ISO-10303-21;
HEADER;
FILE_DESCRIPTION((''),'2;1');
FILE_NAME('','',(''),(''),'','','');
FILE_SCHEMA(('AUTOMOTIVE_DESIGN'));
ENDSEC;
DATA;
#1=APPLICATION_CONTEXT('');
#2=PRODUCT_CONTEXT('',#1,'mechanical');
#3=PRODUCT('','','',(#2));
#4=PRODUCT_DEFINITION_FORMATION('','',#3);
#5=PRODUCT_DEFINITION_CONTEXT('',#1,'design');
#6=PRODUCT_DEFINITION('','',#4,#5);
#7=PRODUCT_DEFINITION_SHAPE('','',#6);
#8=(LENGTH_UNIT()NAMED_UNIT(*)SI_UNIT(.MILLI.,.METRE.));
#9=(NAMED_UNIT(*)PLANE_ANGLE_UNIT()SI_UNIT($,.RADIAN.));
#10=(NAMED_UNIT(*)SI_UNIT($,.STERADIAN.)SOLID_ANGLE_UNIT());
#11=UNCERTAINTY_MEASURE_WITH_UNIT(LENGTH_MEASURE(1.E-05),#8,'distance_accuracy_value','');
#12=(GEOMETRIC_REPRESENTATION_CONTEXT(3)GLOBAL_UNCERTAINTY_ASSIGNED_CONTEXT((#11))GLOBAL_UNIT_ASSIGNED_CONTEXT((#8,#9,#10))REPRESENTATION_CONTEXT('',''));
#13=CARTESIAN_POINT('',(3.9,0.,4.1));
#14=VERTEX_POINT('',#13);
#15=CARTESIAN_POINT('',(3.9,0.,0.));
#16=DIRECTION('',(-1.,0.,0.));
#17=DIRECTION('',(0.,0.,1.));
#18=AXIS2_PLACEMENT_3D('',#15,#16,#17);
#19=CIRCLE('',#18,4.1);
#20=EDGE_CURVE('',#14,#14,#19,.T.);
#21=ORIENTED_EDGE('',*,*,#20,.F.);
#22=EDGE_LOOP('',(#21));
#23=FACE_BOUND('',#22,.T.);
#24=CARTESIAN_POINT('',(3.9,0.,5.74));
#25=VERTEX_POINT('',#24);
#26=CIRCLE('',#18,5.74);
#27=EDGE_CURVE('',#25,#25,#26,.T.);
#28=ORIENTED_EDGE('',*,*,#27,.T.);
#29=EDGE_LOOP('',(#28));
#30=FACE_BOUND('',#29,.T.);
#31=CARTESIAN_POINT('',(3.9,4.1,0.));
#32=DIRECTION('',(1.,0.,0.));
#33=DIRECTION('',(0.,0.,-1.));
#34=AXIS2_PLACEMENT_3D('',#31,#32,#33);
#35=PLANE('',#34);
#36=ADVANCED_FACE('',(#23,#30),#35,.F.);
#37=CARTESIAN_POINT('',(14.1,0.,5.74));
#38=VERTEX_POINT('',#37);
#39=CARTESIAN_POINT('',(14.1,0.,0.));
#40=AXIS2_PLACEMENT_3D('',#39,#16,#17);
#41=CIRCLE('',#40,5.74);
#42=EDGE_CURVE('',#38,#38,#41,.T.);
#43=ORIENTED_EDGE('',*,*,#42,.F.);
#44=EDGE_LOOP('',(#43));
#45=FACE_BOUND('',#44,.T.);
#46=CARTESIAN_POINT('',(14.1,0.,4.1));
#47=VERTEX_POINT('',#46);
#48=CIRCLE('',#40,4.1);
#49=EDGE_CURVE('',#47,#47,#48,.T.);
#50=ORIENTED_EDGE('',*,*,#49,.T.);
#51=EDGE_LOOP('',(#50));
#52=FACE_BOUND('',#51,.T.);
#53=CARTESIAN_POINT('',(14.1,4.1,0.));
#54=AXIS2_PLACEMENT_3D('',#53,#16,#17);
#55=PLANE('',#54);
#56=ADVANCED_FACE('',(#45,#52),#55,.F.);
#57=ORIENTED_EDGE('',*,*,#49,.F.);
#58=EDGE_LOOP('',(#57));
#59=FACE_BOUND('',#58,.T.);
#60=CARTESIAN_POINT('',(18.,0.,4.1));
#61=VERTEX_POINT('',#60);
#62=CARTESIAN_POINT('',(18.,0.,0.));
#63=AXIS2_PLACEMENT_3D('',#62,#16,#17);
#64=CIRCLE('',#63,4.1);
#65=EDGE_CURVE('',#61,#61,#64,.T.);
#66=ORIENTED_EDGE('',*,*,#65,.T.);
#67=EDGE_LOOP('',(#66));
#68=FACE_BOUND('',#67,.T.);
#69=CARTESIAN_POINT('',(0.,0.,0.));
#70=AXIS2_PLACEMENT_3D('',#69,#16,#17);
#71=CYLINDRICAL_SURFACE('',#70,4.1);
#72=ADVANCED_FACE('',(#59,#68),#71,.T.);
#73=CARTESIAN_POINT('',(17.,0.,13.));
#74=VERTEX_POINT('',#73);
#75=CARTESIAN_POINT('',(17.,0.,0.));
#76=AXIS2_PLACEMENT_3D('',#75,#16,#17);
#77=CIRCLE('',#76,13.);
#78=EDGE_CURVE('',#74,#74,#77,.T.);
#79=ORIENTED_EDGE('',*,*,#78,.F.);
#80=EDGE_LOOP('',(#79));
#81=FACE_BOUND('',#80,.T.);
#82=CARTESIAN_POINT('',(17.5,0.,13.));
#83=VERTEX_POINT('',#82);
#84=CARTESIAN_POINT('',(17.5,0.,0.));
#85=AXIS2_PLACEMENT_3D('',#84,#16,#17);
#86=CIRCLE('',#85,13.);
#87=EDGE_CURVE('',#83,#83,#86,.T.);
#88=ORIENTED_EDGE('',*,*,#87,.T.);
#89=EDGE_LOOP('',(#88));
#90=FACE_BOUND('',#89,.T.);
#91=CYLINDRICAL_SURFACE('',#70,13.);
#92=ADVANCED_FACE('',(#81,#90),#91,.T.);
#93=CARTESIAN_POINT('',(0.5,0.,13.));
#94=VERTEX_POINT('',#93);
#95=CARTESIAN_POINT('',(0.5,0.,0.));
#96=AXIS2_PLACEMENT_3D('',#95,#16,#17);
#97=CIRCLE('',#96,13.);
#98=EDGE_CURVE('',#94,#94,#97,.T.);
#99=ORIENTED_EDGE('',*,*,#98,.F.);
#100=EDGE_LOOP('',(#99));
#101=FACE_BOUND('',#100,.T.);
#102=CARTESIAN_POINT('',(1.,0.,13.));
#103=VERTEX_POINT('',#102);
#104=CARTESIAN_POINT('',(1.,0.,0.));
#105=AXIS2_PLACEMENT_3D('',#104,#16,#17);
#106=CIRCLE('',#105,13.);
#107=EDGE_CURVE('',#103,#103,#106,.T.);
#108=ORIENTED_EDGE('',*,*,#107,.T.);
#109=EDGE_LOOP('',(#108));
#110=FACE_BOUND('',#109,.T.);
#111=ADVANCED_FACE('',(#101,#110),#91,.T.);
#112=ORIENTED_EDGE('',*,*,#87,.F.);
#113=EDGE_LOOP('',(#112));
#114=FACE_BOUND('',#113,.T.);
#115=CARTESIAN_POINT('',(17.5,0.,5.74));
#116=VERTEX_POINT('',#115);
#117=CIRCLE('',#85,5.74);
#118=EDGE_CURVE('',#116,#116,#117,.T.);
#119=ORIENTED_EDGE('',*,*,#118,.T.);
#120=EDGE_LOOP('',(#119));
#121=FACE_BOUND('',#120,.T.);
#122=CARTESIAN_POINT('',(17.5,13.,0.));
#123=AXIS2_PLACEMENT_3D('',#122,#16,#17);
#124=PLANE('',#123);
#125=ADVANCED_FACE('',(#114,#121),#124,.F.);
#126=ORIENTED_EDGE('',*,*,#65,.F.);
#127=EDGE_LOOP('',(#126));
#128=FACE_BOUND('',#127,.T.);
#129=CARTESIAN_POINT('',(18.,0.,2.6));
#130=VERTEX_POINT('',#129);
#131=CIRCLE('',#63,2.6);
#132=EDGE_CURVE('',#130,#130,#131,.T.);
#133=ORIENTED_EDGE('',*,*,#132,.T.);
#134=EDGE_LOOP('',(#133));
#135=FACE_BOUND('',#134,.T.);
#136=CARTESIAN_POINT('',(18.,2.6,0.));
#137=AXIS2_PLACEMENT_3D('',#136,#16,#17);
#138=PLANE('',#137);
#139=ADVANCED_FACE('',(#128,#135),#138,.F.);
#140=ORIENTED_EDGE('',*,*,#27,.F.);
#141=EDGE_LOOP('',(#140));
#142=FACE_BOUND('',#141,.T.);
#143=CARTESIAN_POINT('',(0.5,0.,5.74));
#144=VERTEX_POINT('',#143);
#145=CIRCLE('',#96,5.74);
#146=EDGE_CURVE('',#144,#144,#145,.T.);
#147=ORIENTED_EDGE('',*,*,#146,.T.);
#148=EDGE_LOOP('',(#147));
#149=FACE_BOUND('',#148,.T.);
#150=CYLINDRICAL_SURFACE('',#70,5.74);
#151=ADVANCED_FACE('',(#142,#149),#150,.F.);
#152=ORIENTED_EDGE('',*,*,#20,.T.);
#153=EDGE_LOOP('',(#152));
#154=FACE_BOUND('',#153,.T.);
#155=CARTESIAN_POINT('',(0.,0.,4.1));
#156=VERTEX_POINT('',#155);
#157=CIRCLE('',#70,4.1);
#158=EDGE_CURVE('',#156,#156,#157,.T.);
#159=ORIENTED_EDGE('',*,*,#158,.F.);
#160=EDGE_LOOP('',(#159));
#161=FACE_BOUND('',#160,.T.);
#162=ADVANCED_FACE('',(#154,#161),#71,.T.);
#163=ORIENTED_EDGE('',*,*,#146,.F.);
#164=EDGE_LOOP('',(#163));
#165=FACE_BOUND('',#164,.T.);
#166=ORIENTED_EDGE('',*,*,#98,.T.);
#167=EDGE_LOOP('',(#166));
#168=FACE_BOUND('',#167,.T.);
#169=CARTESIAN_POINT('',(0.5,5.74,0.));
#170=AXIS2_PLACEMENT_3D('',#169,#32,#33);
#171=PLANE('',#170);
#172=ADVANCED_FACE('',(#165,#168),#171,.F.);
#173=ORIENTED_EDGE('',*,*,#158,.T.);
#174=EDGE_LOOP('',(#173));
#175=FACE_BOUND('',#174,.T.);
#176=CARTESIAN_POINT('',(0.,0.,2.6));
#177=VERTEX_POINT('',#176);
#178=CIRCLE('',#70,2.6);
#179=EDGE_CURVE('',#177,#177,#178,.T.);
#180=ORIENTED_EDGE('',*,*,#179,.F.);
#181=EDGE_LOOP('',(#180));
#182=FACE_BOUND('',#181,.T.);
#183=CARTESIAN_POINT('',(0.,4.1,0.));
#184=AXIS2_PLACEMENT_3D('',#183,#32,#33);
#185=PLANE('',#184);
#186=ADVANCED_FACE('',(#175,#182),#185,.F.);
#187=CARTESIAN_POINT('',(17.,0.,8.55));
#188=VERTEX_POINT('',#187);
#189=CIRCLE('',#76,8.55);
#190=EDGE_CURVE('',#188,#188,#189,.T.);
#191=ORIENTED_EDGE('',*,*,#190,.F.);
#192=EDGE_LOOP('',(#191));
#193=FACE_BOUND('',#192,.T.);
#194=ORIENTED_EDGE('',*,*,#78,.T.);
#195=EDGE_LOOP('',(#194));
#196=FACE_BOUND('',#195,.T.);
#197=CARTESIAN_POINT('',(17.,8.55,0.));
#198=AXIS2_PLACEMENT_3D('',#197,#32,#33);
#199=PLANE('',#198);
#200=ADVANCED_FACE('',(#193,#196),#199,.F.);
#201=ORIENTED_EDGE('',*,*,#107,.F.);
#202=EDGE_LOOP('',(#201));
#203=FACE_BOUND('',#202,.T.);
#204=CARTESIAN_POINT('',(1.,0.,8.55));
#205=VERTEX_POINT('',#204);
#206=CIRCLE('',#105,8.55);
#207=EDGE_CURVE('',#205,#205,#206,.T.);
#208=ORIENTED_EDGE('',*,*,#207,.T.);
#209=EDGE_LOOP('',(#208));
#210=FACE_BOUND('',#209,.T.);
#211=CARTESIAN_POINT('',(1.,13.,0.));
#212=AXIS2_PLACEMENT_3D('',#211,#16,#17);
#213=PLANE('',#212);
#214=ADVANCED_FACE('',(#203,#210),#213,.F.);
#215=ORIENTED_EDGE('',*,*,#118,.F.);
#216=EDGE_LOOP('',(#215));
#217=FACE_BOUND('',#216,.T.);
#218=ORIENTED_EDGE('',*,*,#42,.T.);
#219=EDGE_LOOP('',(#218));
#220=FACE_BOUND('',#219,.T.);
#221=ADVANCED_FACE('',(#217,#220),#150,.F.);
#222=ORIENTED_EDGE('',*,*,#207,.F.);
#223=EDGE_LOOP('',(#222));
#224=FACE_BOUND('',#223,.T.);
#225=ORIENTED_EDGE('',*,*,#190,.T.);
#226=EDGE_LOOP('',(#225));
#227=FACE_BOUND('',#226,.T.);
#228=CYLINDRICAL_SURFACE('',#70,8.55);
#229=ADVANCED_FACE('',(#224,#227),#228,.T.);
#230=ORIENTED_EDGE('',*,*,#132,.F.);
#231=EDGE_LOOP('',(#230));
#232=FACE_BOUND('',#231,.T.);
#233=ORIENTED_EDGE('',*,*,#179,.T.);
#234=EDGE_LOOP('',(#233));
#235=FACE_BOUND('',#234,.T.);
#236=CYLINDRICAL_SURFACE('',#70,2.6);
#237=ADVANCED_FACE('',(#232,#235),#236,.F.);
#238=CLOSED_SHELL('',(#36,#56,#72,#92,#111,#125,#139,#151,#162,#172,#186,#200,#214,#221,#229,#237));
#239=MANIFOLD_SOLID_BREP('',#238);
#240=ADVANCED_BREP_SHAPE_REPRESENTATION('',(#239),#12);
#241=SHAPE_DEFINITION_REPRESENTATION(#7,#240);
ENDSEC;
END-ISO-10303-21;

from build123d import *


with BuildPart() as part:
    # Sketch1 → Revolve1 (revolve)
    with BuildSketch(Plane.XY, mode=Mode.PRIVATE) as revolve1_sk:
        Polygon((0, 4.1), (0, 2.6), (18, 2.6), (18, 4.1), (14.1, 4.1), (14.1, 5.74), (17.5, 5.74), (17.5, 13), (17, 13), (17, 8.55), (1, 8.55), (1, 13), (0.5, 13), (0.5, 5.74), (3.9, 5.74), (3.9, 4.1), align=None)
    revolve(revolve1_sk.sketch.rotate(Axis((0, 0, 0), (1, 0, 0)), 90), axis=Axis((0, 0, 0), (1, 0, 0)))


solid = part.part
